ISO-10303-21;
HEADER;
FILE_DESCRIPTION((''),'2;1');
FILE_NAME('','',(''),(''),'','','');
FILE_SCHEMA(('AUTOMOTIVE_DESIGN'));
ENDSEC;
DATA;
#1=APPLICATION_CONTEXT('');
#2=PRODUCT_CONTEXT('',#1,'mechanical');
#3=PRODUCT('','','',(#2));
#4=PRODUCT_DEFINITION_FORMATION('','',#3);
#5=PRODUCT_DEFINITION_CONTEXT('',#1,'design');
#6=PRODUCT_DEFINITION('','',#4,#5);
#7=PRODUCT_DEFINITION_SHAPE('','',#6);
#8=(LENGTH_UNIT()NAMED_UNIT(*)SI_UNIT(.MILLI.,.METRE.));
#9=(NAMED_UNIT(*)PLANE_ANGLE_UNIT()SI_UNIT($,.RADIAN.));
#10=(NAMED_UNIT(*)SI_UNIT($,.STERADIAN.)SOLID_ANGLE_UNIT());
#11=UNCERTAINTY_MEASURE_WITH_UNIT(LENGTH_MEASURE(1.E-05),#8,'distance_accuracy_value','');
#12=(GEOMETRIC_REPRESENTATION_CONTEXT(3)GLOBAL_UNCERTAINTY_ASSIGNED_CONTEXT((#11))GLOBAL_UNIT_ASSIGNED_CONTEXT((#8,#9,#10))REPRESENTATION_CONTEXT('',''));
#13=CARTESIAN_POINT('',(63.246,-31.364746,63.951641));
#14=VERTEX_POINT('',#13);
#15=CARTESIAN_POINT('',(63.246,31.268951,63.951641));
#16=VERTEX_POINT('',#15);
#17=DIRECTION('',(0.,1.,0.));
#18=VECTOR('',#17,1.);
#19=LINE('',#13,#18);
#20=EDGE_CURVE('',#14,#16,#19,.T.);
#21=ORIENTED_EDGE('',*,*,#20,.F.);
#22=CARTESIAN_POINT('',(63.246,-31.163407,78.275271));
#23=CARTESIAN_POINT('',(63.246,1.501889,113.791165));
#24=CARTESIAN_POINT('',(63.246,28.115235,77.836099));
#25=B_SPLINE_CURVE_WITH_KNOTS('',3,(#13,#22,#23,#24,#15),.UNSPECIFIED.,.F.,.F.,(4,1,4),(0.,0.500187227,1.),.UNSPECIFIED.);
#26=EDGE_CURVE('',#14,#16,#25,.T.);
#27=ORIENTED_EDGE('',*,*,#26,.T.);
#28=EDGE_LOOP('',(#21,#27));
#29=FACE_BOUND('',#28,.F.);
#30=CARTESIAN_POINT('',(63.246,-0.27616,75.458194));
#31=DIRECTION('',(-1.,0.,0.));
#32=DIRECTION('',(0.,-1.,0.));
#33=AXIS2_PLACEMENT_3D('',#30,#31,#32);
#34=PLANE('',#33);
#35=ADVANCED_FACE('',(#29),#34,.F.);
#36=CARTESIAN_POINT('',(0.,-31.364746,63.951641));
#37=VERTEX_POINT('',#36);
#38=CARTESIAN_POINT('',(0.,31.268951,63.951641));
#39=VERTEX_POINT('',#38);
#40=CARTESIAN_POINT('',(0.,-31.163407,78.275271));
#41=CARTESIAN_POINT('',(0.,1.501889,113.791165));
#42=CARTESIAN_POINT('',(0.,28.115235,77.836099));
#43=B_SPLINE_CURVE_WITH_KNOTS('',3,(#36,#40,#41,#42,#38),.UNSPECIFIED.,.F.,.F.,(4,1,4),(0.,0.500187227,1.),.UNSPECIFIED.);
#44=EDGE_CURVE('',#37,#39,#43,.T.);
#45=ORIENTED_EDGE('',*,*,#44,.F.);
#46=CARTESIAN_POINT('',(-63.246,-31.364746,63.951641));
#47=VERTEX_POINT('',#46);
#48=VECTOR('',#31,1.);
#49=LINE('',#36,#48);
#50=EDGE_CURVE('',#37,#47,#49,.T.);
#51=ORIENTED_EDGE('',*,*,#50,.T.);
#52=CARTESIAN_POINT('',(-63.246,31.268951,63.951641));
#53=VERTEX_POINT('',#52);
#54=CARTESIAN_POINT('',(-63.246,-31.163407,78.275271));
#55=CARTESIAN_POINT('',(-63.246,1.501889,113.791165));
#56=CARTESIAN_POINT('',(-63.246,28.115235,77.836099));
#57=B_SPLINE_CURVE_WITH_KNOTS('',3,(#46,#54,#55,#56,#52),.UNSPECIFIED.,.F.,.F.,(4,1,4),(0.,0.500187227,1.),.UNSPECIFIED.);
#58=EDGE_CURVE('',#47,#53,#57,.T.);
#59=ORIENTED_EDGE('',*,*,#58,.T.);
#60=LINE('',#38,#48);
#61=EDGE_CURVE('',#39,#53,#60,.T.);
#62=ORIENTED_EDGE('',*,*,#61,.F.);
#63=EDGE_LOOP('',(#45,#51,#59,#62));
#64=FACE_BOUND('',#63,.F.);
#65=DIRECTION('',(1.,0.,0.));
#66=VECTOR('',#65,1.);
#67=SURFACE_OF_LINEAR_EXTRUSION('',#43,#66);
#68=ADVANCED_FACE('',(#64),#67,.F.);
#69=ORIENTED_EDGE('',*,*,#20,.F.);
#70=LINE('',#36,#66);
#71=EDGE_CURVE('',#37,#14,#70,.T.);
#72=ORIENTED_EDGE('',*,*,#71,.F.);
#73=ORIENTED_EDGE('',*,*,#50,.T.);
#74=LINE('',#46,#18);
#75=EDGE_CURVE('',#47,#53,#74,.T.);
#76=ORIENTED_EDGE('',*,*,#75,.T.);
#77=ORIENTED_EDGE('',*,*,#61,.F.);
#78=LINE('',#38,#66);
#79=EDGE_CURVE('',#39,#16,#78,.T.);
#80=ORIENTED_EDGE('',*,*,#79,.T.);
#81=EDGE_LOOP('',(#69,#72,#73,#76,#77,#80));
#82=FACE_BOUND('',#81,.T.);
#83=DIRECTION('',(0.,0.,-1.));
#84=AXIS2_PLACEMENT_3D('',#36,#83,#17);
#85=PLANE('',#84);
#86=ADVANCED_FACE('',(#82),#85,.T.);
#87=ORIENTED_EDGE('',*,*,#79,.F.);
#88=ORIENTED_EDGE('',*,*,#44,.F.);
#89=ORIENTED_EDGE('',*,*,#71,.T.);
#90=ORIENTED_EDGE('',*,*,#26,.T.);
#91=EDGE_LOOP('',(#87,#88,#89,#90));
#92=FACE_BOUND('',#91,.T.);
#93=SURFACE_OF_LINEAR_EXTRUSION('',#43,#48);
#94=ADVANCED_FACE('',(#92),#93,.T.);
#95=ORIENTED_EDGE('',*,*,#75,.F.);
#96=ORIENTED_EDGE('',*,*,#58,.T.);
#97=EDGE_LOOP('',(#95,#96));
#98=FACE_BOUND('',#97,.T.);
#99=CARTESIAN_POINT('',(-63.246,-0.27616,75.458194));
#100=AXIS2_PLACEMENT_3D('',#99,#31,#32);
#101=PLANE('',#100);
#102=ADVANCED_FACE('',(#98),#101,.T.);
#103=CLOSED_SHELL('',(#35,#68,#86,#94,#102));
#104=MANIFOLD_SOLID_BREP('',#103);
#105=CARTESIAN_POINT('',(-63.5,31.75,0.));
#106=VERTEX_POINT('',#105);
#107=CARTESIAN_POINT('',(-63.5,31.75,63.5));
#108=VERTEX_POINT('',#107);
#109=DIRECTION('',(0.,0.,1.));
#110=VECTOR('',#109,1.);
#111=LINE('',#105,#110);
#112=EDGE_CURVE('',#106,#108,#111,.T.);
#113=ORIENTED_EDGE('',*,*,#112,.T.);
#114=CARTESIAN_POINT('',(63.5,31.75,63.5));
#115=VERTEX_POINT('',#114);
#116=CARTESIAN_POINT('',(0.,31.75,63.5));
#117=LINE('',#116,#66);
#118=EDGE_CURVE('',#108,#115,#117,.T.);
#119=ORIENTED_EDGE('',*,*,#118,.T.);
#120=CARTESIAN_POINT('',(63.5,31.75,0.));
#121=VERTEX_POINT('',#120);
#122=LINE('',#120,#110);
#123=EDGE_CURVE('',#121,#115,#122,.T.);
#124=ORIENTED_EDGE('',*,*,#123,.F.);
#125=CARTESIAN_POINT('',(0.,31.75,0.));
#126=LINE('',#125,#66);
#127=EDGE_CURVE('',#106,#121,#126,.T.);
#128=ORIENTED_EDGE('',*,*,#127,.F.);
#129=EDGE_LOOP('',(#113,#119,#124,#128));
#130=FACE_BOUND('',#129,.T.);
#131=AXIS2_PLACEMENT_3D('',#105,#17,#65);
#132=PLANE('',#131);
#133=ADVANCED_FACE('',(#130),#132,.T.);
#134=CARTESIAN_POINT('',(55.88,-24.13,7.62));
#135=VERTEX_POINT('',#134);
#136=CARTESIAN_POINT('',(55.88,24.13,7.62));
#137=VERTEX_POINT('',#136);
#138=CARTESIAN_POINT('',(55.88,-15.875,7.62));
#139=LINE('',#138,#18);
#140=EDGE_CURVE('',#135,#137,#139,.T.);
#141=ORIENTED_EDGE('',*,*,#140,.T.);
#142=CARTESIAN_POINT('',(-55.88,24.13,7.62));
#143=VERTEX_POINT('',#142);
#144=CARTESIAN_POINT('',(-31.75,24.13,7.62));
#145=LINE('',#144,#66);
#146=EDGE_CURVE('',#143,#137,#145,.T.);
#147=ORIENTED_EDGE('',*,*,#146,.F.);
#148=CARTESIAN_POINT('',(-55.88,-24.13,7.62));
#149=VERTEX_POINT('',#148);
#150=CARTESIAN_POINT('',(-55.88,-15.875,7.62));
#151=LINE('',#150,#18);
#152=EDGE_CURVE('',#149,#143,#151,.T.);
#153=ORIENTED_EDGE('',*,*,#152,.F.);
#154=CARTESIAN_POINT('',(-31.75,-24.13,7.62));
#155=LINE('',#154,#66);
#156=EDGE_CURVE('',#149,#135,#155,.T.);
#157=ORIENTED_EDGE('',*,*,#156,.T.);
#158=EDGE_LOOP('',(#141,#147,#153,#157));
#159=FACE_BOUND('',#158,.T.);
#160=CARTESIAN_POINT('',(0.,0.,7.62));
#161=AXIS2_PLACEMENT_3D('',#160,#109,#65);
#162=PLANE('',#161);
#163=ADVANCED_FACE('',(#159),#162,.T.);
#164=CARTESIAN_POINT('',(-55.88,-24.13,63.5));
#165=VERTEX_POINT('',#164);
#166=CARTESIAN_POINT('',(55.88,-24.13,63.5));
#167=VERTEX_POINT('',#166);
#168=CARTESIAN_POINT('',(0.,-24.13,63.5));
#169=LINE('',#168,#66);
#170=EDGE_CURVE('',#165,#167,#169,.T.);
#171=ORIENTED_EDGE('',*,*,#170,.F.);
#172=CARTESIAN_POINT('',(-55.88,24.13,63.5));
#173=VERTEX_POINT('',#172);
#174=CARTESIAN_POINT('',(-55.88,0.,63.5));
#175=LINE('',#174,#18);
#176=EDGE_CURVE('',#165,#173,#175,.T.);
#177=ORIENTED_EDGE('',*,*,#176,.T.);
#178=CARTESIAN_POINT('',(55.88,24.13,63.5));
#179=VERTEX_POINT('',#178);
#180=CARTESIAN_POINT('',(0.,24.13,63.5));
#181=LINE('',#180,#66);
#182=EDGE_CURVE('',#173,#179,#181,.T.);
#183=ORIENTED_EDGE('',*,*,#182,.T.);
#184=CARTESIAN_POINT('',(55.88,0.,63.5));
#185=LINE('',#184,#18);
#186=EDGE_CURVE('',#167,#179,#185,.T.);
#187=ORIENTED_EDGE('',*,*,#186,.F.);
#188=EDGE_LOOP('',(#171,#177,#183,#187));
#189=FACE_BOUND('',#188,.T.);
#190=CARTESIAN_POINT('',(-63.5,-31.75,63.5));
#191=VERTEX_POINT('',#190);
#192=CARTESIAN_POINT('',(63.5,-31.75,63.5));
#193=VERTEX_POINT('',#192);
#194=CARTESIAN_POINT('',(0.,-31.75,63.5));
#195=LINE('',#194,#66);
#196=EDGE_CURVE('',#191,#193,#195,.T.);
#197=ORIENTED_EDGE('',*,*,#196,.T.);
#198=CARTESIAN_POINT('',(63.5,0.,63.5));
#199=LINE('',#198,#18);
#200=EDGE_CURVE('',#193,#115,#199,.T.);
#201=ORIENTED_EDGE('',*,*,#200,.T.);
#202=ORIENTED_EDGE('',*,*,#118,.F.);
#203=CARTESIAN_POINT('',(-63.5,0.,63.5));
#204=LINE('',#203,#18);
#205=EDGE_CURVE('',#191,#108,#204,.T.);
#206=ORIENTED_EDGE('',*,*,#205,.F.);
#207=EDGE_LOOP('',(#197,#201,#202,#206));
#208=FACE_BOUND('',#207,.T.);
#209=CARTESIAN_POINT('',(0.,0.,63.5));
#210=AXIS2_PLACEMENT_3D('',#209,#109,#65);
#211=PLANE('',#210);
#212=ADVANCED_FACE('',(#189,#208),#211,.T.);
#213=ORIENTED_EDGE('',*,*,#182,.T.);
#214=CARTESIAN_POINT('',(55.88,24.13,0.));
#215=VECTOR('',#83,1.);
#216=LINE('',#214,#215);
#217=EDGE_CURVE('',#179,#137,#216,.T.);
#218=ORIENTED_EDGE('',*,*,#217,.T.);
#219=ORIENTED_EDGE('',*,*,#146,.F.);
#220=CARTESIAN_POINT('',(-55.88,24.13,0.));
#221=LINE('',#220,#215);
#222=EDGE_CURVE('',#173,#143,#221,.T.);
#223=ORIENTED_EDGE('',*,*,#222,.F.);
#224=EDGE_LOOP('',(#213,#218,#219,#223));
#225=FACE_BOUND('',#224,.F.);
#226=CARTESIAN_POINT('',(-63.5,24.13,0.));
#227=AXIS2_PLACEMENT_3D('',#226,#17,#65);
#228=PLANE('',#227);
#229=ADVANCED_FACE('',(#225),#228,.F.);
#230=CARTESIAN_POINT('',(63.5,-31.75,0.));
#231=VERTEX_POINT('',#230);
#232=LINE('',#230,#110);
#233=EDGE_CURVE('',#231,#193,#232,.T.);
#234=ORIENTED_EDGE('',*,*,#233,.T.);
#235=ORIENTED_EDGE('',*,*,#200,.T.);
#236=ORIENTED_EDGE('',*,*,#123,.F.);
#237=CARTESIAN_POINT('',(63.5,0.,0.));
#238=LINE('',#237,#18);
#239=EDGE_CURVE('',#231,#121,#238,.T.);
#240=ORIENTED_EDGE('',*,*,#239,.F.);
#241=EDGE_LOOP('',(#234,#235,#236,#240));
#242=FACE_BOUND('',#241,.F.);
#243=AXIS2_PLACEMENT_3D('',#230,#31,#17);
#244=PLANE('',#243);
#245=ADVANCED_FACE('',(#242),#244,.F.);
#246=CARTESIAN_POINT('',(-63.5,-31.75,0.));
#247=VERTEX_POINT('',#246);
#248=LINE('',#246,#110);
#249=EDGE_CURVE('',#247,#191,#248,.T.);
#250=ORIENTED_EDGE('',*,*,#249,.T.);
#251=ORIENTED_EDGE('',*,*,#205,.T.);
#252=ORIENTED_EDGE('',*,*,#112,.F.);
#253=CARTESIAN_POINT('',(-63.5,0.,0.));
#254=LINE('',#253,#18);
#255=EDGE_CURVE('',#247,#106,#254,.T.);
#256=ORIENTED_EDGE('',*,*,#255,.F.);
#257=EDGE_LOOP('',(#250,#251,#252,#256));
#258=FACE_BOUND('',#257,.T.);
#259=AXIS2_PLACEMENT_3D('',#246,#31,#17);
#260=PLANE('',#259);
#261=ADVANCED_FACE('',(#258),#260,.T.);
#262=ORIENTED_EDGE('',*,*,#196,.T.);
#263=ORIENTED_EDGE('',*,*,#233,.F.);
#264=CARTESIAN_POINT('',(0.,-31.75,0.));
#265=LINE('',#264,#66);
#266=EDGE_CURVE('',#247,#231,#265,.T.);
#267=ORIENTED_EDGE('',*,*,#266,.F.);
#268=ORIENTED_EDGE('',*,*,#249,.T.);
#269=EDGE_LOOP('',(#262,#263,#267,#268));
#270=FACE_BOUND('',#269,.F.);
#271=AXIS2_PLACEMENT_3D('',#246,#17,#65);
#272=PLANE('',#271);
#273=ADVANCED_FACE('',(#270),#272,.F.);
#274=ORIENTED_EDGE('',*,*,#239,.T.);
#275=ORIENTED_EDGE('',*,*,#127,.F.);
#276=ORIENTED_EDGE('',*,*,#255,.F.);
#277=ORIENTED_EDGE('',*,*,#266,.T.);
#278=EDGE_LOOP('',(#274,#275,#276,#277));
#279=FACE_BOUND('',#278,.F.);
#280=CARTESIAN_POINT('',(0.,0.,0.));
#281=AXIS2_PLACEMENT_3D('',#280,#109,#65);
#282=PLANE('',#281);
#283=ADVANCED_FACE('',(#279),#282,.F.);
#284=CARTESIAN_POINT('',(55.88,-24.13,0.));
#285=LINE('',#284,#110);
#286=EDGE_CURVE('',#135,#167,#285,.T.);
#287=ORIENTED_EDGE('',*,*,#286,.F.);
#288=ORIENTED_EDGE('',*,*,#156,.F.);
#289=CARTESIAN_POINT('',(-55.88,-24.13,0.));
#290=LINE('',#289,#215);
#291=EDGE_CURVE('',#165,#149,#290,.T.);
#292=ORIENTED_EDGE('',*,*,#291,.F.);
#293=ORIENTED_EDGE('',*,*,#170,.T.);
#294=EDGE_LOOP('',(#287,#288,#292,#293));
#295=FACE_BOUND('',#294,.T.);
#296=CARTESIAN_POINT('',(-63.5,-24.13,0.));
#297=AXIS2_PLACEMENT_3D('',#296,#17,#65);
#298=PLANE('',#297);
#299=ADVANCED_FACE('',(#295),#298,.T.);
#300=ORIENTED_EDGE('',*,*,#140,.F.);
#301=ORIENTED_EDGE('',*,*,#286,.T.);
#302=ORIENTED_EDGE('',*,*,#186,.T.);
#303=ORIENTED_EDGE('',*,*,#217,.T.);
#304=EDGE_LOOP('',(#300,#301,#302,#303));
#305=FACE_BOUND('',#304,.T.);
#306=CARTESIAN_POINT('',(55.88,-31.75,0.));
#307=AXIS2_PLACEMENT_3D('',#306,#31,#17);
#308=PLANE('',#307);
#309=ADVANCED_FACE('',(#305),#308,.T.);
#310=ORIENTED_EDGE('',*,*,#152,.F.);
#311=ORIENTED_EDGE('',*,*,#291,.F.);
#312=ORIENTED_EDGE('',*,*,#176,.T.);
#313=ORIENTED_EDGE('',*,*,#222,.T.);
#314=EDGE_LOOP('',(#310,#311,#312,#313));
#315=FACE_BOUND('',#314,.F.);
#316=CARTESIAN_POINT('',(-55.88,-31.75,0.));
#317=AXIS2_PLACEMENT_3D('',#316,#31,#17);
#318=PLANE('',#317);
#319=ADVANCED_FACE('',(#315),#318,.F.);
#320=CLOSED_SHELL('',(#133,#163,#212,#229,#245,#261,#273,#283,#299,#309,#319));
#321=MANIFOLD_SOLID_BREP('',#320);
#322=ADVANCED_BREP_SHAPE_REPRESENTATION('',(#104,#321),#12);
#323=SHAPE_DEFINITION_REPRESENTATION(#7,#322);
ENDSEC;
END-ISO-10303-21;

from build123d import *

# Parameters (mm, degrees)
F0_W          = 127
F0_H          = 63.5
F1_DEPTH      = 63.5
F2_T          = -7.62
F4_DEPTH      = 63.246
F4_DEPTH_BACK = 63.246


with BuildPart() as f1:
    # F0 (on Top) → F1 (new body)
    with BuildSketch(Plane.XY):
        Rectangle(F0_W, F0_H)
    extrude(amount=F1_DEPTH)

    # F2
    f2_openings = [f1.faces().sort_by_distance(p)[0] for p in [
        (0, 0, 63.5),
    ]]
    offset(amount=F2_T, openings=f2_openings)


with BuildPart() as f4:
    # F3 (on Right) → F4 (new body, two sides)
    with BuildSketch(Plane.YZ) as f4_sk:
        with BuildLine():
            add(Edge.make_bspline(
                [(-31.3647463918, 63.9516413212), (-31.1634073466, 78.2752707222), (1.5018892992, 113.7911647147), (28.1152354193, 77.8360987048), (31.2689505517, 63.9516413212)],
                knots=[0, 0, 0, 0, 0.5001872267, 1, 1, 1, 1], degree=3))
            Line((-31.3647463918, 63.9516413212), (31.2689505517, 63.9516413212))
        make_face()
    extrude(amount=F4_DEPTH)
    extrude(f4_sk.sketch, amount=-F4_DEPTH_BACK)


solid = Compound([f1.part, f4.part])
